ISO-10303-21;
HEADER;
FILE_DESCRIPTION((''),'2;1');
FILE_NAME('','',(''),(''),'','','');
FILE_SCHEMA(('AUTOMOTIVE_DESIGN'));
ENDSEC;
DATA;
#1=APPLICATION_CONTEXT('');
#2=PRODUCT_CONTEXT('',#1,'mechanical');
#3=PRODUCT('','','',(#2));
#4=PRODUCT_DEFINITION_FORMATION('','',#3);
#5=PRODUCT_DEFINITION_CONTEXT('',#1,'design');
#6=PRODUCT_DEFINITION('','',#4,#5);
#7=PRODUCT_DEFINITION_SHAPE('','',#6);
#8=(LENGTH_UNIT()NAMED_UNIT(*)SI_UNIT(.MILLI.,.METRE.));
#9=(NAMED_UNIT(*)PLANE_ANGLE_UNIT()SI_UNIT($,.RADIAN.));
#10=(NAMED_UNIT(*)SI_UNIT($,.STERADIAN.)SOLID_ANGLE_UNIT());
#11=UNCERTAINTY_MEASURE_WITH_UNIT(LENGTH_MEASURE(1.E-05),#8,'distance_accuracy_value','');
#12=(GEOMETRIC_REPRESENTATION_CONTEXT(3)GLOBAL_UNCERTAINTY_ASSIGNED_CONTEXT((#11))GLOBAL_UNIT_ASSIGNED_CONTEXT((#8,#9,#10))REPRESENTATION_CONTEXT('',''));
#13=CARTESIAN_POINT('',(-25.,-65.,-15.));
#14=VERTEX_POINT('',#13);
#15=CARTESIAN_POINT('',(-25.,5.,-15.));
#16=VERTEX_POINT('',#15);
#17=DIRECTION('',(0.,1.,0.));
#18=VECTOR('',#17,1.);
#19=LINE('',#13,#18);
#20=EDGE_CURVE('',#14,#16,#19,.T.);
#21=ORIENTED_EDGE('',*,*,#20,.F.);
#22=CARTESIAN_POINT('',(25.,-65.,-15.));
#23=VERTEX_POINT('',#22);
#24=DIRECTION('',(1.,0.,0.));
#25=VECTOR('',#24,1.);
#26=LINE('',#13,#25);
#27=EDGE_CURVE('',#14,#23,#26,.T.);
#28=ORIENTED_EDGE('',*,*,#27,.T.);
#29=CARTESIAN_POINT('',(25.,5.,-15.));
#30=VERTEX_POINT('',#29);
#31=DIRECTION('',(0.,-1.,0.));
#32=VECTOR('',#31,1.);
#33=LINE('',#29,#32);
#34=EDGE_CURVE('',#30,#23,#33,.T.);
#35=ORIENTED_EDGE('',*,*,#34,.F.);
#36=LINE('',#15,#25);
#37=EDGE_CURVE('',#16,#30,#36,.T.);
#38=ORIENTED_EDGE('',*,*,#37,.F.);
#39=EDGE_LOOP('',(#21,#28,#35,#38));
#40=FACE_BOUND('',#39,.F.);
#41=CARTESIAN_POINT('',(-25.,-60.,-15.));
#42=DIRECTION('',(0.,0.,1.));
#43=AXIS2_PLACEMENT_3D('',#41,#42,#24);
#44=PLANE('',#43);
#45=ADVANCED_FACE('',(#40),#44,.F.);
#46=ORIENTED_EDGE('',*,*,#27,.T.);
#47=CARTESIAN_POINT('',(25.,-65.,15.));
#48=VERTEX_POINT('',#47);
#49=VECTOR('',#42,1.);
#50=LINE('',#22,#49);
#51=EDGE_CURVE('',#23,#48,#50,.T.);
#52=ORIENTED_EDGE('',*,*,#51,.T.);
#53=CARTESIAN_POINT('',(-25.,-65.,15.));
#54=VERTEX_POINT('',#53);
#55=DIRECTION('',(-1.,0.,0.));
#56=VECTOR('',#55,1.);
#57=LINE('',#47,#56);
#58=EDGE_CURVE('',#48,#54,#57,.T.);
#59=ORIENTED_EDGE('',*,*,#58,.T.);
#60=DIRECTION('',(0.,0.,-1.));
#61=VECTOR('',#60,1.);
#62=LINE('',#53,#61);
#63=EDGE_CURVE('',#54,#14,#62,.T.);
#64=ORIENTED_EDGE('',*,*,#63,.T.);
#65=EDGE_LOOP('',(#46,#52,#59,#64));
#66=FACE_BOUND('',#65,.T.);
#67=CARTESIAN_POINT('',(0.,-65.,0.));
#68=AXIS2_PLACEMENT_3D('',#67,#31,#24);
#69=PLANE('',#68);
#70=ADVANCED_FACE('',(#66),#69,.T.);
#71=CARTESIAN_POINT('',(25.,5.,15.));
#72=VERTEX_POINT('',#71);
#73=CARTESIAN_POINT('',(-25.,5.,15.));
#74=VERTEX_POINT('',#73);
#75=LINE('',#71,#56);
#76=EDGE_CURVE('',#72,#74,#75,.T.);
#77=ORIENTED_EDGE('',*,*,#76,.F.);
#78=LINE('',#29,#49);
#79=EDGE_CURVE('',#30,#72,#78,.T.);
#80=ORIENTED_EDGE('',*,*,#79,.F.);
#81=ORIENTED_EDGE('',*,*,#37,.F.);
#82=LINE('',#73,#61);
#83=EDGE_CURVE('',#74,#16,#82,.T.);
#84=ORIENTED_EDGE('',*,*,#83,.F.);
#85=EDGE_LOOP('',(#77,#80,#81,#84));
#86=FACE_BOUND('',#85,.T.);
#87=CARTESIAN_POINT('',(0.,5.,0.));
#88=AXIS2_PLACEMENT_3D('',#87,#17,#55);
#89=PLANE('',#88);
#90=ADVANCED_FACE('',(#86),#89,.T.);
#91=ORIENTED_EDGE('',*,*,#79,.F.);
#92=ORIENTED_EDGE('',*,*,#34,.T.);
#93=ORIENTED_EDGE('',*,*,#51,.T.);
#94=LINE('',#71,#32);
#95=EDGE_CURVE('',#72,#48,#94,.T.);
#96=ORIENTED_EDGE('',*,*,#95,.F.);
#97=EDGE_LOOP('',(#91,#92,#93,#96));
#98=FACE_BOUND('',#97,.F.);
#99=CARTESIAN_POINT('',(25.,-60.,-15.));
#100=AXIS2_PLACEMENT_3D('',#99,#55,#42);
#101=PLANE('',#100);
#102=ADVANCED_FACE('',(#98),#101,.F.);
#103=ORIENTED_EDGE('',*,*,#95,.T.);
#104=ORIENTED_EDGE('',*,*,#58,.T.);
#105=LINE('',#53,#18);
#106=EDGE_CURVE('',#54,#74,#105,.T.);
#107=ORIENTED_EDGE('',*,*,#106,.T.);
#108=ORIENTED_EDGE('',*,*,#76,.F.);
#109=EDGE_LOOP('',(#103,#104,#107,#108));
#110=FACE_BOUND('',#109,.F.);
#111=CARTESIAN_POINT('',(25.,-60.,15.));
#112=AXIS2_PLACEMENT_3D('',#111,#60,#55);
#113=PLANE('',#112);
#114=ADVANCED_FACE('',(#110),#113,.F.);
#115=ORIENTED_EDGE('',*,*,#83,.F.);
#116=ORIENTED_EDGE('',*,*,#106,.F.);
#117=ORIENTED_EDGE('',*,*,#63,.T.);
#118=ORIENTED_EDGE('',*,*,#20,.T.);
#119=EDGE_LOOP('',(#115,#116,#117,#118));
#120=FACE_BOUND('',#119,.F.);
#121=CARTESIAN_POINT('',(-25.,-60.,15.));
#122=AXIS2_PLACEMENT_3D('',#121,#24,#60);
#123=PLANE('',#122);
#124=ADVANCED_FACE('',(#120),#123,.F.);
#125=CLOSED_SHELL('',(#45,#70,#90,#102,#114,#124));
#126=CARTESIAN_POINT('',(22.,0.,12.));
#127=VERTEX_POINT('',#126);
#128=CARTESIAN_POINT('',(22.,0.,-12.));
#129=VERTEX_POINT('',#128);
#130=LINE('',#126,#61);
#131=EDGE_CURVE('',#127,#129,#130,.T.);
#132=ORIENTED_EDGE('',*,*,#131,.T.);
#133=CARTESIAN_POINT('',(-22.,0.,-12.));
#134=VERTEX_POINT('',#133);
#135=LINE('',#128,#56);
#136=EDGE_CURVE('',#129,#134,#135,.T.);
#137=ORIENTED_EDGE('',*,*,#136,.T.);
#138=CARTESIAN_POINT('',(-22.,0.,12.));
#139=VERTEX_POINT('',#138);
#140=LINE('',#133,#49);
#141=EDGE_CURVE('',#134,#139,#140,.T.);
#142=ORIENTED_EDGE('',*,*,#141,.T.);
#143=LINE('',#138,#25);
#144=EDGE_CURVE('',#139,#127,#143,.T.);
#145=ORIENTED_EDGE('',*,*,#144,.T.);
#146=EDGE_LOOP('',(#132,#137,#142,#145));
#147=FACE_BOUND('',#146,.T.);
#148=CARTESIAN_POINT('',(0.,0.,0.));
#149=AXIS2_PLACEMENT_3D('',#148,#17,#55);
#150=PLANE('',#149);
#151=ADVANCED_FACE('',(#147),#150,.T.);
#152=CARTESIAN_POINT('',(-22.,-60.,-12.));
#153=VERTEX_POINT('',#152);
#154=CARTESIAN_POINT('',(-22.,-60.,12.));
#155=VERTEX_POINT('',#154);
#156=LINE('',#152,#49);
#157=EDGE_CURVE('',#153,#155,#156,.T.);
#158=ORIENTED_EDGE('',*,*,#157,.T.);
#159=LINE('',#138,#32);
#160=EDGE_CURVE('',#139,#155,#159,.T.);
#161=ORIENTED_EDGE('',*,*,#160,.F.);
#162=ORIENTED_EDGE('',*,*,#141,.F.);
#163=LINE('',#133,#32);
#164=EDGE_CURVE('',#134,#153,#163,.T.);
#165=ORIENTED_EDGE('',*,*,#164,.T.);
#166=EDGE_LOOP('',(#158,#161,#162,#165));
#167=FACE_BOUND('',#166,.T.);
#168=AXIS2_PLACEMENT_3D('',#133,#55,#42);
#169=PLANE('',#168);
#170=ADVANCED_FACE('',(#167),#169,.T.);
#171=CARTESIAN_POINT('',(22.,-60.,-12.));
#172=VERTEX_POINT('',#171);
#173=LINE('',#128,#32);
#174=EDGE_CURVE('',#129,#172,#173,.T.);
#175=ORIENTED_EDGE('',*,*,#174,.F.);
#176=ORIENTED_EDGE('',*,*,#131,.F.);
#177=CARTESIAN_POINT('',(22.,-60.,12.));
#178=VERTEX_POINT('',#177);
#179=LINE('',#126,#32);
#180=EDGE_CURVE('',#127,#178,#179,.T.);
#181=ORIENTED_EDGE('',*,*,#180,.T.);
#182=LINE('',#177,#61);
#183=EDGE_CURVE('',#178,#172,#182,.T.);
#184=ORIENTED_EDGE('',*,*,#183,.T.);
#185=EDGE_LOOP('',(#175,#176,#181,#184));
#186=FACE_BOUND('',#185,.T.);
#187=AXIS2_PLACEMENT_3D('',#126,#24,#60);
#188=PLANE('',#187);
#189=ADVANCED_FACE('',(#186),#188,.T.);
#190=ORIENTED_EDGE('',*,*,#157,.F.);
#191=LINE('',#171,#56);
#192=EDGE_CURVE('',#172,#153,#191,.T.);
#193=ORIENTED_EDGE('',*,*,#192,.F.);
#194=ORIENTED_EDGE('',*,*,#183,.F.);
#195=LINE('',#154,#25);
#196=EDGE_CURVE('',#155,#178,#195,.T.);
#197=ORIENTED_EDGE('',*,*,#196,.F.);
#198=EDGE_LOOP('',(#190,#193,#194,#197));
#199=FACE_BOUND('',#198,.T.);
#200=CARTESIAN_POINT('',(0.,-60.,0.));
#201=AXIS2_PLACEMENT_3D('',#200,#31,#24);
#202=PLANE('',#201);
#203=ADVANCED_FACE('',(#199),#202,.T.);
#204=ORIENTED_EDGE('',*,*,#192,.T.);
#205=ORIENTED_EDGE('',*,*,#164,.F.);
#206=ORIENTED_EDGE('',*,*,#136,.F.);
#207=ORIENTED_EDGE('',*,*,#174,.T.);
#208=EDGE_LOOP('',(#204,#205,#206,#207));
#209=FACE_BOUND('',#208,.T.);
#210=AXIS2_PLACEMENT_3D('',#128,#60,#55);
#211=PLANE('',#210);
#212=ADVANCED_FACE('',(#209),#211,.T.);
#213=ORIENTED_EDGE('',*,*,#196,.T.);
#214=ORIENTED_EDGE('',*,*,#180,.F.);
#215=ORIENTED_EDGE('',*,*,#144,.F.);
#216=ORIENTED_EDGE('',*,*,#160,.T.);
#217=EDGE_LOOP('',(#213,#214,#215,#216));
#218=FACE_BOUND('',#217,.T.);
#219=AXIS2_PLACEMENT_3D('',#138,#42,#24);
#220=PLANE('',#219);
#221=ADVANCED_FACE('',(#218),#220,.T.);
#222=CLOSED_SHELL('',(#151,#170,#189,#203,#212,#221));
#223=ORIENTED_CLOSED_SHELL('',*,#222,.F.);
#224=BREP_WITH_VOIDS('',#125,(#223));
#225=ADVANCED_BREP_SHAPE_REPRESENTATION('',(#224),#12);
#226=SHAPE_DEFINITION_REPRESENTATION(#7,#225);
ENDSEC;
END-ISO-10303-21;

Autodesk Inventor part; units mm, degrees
ref_plane "YZ Plane" through (0, 0, 0) normal (1, 0, 0) x (0, 1, 0)
ref_plane "XZ Plane" through (0, 0, 0) normal (0, 1, 0) x (-1, 0, 0)
ref_plane "XY Plane" through (0, 0, 0) normal (0, 0, 1) x (1, 0, 0)
sketch "Esquisse1" plane through (0, 0, 0) normal (0, 1, 0) x (-1, 0, 0)
  line L0 (-25, 15) -> (25, 15)
  line L1 (25, 15) -> (25, -15)
  line L2 (25, -15) -> (-25, -15)
  line L3 (-25, -15) -> (-25, 15)
  line L4 (-25, 15) -> (25, -15) construction
  line L5 (25, 15) -> (-25, -15) construction
  line L6 (-22, 12) -> (22, 12)
  line L7 (22, 12) -> (22, -12)
  line L8 (22, -12) -> (-22, -12)
  line L9 (-22, -12) -> (-22, 12)
  line L10 (-22, 12) -> (22, -12) construction
  line L11 (22, 12) -> (-22, -12) construction
  point P0 (0, 0)
  dimension "d0" = 50
  dimension "d1" = 30
  dimension "d2" = 3
  dimension "d3" = 3
extrude "Extrusion1" add sketch "Esquisse1" along normal blind 5 contours L0 L1 L2 L3 | L6 L7 L8 L9
sketch "Esquisse2" plane through (0, 0, 0) normal (0, -1, 0) x (1, 0, 0)
  line L0 (-22, 12) -> (22, 12)
  line L1 (22, 12) -> (22, -12)
  line L2 (22, -12) -> (-22, -12)
  line L3 (-22, -12) -> (-22, 12)
  line L4 (-22, 12) -> (22, -12) construction
  line L5 (22, 12) -> (-22, -12) construction
  line L6 (-25, -15) -> (25, -15) projected
  line L7 (25, -15) -> (25, 15) projected
  line L8 (25, 15) -> (-25, 15) projected
  line L9 (-25, 15) -> (-25, -15) projected
  point P0 (0, 0)
  dimension "d6" = 3
  dimension "d7" = 3
extrude "Extrusion2" add sketch "Esquisse2" along normal blind 60
sketch "Esquisse3" plane through (0, -60, 0) normal (0, -1, 0) x (1, 0, 0)
  line L0 (25, -15) -> (25, 15) projected
  line L1 (-25, -15) -> (25, -15) projected
  line L2 (25, 15) -> (-25, 15) projected
  line L3 (-25, 15) -> (-25, -15) projected
  point P0 (0, 0)
extrude "Extrusion3" add sketch "Esquisse3" along normal blind 5
sketch "Esquisse4" plane through (0, 5, 0) normal (0, 1, 0) x (1, 0, 0)
  point P0 (0, 0)
properties part number "Pièce_roue folle"
